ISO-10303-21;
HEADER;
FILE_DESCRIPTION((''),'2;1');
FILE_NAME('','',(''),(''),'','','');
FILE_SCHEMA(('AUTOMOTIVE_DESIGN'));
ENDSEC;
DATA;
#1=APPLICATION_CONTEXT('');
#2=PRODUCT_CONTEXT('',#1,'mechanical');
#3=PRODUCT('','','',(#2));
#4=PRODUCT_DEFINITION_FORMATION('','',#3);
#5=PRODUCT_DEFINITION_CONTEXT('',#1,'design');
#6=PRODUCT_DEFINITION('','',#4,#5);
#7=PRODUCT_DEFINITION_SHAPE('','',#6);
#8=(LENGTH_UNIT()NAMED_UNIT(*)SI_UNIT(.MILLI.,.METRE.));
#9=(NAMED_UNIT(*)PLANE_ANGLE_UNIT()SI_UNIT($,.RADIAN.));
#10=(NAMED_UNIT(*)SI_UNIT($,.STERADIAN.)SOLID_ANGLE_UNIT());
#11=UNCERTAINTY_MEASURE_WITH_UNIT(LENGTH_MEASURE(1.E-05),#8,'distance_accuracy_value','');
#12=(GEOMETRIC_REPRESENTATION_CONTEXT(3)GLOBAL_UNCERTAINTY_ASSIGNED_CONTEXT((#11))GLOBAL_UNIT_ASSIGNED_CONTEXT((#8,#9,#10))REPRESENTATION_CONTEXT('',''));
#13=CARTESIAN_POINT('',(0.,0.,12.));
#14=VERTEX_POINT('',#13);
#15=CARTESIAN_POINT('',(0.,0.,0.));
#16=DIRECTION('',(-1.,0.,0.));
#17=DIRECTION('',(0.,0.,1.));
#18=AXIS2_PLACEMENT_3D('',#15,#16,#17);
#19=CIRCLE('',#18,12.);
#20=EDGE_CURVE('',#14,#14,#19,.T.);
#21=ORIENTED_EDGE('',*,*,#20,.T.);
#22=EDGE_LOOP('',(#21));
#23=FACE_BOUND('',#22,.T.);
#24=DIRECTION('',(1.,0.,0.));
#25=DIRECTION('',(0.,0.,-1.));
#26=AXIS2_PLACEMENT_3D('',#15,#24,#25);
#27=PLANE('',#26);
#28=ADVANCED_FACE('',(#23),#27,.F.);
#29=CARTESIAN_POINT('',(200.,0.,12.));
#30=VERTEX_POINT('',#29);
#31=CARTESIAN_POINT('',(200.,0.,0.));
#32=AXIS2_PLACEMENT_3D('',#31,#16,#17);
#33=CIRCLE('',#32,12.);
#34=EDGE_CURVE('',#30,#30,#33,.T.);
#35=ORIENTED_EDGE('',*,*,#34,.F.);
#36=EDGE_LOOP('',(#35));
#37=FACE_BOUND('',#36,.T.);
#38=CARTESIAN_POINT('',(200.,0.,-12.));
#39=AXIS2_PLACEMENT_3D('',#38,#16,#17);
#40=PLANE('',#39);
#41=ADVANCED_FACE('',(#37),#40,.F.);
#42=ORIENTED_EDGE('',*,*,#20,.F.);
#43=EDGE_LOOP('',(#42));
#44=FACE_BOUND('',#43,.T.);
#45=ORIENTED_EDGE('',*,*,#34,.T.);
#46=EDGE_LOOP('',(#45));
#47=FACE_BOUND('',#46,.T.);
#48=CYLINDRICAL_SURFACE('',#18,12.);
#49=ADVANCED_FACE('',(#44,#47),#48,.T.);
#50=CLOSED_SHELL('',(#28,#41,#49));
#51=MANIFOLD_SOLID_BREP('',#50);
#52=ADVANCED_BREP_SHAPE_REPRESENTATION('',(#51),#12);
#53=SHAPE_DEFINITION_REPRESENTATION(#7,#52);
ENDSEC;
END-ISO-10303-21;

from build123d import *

# Parameters (mm, degrees)
SKETCH1_W = 200
SKETCH1_H = 12


with BuildPart() as part:
    # Sketch1 → Revolve1 (revolve)
    with BuildSketch(Plane(origin=(0, 0, 0), x_dir=(1, 0, 0), z_dir=(0, 1, 0))):
        with Locations((100, 6)):
            Rectangle(SKETCH1_W, SKETCH1_H)
    revolve(axis=Axis((0, 0, 0), (1, 0, 0)))


solid = part.part
